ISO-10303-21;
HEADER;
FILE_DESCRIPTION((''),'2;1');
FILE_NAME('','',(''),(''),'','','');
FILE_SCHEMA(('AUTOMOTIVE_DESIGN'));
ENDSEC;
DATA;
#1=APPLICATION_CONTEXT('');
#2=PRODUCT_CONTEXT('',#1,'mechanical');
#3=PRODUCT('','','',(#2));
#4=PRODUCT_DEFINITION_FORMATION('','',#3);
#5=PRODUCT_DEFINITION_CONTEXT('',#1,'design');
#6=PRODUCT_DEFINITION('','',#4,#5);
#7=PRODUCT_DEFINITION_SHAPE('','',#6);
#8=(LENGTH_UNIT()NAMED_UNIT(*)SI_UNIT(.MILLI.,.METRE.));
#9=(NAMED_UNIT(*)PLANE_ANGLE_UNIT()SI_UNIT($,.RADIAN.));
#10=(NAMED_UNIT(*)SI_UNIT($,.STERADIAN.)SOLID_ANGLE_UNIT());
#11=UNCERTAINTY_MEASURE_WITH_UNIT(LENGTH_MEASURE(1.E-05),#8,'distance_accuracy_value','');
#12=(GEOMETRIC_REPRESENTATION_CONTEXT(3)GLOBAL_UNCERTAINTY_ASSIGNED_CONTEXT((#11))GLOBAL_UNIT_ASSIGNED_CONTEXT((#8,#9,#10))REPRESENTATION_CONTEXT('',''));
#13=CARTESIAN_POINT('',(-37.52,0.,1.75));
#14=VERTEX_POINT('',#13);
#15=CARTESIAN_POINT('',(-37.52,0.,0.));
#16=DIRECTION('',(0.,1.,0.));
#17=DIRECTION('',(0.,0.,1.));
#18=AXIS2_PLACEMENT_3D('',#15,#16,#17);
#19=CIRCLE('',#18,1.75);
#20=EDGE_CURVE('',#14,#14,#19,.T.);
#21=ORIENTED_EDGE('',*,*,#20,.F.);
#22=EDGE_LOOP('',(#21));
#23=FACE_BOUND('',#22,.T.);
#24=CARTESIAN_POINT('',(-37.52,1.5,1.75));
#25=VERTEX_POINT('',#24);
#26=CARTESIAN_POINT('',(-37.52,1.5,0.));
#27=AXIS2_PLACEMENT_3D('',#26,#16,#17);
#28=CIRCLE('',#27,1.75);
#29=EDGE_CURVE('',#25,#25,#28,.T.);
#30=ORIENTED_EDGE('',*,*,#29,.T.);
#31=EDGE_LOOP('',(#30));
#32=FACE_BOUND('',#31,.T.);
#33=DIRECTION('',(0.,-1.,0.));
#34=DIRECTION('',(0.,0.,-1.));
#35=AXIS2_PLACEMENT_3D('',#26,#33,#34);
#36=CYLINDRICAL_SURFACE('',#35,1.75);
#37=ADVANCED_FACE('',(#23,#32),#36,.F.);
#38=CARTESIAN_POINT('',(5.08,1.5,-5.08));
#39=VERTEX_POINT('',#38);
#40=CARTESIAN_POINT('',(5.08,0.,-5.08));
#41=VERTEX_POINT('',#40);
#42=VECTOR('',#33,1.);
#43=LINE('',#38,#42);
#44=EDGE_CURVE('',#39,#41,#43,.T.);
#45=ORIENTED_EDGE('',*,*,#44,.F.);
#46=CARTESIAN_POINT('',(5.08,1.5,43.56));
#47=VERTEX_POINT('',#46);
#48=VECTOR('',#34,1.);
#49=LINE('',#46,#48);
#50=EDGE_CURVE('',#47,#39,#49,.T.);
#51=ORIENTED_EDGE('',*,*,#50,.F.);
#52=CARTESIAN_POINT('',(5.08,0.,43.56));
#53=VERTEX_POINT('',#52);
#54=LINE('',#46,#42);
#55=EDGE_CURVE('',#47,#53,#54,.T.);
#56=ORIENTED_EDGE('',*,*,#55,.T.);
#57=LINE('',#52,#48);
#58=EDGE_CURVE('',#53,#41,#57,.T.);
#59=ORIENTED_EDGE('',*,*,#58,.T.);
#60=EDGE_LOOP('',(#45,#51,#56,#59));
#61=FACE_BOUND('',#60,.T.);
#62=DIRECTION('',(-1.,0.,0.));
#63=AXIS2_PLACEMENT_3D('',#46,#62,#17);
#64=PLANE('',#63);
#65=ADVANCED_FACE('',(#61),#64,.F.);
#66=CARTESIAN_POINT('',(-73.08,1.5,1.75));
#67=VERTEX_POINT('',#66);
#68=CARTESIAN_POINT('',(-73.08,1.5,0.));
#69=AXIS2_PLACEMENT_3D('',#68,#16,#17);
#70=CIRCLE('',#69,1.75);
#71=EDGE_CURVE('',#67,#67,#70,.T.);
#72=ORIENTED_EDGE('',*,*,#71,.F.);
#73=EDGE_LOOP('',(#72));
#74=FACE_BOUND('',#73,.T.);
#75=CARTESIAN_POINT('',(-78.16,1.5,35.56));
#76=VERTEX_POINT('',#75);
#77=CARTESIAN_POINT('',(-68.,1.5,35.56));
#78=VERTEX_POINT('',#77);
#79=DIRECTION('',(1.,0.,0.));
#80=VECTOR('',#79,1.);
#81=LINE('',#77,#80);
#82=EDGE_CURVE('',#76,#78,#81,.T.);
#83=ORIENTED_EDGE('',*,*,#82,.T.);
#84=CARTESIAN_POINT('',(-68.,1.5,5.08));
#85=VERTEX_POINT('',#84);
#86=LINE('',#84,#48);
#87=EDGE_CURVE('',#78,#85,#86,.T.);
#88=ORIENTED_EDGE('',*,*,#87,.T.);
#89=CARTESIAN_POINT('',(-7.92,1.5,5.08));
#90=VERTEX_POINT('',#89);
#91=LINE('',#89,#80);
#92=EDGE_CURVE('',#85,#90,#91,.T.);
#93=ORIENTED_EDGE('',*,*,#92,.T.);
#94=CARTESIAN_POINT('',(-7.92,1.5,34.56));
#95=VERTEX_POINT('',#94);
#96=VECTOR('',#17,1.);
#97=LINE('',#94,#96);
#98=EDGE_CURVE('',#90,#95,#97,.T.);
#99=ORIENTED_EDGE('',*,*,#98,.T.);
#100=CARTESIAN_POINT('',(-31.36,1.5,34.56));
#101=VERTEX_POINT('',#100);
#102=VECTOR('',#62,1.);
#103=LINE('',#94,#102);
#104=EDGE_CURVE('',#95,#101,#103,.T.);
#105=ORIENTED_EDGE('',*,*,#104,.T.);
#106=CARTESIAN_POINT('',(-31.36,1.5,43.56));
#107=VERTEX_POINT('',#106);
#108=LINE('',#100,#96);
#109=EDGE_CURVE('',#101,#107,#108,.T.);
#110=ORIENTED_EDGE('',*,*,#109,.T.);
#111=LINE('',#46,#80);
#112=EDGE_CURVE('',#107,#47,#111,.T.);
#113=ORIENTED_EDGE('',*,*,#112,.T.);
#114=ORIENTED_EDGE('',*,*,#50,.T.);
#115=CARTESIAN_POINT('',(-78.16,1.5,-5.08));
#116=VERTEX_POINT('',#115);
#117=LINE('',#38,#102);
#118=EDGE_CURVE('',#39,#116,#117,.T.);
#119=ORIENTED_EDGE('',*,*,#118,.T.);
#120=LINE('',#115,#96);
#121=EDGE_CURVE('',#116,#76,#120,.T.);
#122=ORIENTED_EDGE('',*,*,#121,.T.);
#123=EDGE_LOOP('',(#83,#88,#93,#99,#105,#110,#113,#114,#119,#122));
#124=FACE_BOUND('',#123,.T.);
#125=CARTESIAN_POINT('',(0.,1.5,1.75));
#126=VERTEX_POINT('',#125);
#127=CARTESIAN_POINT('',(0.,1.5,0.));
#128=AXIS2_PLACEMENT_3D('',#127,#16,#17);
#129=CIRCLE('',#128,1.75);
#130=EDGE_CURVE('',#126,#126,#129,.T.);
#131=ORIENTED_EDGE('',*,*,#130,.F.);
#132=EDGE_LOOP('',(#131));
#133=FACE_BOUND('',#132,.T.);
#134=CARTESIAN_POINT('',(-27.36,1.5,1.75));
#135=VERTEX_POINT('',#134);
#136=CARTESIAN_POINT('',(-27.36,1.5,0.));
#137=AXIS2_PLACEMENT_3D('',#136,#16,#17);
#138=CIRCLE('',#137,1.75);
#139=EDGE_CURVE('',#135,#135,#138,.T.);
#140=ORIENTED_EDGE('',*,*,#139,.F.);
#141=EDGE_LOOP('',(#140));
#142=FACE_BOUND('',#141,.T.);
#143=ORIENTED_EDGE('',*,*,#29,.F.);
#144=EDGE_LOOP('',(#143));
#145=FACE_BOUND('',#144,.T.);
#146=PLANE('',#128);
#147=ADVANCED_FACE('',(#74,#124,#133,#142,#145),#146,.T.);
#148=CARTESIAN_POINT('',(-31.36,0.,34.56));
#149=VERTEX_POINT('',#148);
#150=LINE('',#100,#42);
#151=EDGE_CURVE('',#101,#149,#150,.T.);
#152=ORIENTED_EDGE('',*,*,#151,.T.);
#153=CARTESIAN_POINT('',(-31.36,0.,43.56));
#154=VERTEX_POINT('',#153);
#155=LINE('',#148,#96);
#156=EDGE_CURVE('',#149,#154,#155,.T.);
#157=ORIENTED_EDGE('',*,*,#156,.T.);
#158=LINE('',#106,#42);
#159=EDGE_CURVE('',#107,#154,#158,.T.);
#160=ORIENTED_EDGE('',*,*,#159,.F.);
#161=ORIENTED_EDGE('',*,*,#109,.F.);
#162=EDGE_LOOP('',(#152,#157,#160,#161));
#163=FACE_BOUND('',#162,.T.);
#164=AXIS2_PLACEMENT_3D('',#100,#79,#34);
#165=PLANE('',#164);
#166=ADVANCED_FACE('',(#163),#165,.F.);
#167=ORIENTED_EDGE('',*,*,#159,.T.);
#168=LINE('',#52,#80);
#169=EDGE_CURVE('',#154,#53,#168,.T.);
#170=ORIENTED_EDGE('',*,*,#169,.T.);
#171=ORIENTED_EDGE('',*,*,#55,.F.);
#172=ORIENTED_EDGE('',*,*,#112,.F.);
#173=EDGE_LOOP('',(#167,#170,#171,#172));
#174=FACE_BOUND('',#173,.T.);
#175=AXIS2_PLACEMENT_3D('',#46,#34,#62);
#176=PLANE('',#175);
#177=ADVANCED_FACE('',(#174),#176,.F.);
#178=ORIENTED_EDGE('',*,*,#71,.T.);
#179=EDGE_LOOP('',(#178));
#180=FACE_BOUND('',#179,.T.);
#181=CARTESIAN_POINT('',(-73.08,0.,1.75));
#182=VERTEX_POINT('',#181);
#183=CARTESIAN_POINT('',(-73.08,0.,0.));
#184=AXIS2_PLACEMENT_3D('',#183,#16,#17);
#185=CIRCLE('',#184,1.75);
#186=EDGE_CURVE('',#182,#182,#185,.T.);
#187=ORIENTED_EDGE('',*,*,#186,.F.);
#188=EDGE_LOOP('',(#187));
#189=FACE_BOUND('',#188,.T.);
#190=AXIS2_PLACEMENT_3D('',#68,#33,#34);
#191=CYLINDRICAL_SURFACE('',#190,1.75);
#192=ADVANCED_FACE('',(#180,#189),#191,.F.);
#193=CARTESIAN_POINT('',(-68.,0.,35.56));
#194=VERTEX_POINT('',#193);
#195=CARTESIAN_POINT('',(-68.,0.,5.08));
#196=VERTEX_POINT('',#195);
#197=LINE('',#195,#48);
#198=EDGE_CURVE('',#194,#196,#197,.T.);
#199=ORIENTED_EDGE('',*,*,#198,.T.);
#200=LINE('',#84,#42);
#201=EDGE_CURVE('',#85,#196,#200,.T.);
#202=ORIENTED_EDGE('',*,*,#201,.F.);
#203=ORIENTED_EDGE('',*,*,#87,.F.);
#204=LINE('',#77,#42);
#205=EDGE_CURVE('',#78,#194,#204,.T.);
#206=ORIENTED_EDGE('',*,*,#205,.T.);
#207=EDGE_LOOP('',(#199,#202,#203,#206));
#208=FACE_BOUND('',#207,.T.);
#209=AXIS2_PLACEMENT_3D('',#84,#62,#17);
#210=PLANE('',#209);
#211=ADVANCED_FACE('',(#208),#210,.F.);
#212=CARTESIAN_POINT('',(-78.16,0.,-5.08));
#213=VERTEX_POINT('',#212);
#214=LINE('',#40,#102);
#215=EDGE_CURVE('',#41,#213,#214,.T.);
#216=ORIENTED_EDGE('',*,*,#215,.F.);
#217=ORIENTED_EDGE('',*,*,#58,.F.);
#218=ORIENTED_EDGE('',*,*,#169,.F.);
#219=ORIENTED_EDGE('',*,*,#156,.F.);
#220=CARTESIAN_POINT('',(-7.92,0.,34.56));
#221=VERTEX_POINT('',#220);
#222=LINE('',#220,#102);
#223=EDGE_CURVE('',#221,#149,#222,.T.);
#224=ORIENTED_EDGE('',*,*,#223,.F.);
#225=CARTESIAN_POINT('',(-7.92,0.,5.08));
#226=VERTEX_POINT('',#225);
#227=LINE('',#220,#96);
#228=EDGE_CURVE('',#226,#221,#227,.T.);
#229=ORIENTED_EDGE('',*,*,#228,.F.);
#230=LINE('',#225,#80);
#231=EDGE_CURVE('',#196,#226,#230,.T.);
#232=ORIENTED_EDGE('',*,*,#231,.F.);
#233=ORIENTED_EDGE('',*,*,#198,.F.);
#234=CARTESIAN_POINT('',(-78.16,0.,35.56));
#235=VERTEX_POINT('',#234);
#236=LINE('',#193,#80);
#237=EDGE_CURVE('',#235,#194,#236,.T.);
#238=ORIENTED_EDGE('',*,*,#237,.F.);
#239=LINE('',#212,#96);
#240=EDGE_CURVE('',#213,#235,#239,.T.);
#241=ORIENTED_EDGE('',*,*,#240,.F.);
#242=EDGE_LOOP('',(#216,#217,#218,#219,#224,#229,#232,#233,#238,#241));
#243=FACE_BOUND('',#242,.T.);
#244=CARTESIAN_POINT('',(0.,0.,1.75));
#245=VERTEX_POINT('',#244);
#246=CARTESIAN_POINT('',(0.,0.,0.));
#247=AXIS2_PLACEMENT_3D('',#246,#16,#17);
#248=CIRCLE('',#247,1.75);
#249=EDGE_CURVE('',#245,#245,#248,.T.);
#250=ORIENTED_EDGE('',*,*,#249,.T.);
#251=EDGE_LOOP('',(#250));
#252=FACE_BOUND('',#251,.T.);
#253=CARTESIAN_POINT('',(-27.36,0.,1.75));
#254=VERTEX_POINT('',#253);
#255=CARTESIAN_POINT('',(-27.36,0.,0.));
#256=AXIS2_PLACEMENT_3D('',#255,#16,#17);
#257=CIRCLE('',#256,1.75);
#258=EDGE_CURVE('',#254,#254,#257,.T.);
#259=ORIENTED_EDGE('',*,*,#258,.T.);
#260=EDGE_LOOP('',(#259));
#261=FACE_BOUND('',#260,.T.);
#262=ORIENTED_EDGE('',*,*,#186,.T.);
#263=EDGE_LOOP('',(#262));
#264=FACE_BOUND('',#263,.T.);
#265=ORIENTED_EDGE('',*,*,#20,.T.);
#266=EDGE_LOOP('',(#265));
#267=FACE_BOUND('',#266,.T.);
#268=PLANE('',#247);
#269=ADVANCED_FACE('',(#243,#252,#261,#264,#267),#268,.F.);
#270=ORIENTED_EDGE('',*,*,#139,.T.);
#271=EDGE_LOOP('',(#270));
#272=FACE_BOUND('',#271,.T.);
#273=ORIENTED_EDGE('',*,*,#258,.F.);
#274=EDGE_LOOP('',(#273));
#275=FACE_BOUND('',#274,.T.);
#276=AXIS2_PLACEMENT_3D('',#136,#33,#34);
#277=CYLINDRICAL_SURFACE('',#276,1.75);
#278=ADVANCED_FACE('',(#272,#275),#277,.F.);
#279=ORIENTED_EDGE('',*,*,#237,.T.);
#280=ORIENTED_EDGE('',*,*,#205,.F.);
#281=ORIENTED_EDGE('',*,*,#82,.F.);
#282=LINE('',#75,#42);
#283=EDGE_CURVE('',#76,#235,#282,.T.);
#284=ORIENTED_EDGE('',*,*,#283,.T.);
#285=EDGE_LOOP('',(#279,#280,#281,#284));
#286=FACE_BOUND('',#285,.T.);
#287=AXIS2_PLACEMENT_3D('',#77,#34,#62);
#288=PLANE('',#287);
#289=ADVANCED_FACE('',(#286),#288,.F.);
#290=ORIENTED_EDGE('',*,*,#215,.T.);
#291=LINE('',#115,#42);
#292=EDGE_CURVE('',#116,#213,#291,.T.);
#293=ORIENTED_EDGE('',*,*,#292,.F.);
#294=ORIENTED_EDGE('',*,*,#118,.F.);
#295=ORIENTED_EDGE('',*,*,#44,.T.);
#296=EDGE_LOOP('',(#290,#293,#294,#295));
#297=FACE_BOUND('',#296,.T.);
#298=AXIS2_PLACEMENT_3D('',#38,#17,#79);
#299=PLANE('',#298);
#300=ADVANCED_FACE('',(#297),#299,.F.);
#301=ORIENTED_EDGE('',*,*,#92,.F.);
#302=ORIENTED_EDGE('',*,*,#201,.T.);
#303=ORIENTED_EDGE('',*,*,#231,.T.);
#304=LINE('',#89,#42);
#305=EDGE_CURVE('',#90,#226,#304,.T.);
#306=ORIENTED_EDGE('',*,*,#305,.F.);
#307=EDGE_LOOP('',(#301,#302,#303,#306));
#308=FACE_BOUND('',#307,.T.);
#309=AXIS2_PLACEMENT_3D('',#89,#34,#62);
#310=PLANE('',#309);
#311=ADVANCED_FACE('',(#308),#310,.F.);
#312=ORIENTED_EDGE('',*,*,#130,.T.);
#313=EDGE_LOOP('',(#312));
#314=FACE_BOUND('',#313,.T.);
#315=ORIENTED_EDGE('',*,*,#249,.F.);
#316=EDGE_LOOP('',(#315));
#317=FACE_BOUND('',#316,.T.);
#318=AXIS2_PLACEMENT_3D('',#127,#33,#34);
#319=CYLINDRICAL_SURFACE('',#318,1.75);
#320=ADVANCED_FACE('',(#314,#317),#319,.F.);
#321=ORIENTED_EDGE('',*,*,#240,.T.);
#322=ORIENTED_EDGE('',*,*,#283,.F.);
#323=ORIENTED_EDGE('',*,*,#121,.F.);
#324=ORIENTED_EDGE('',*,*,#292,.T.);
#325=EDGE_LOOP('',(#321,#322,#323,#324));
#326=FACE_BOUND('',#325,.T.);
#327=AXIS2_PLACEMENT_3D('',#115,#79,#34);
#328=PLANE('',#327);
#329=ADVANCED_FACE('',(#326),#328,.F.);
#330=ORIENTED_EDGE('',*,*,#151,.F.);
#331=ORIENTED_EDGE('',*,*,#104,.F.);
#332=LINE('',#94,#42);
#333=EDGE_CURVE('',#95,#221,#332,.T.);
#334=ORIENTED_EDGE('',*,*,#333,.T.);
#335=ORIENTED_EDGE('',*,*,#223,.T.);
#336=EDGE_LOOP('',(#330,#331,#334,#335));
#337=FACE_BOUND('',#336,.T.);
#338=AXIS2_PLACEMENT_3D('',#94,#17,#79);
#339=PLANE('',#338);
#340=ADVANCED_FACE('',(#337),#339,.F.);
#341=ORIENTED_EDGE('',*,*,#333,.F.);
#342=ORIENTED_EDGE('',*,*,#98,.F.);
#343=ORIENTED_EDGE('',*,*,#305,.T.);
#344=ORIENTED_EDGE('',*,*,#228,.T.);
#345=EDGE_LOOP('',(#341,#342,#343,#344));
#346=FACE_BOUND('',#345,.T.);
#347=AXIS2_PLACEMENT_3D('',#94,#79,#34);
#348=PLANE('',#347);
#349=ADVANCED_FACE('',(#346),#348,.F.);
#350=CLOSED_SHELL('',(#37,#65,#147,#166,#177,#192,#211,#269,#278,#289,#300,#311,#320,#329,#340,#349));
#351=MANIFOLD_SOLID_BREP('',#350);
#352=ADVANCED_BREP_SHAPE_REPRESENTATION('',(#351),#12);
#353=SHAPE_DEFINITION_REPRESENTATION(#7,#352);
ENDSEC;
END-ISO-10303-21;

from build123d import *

# Parameters (mm, degrees)
SKETCH1_R           = 1.75
BOSS_EXTRUDE1_DEPTH = 1.5


with BuildPart() as part:
    # Sketch1 → Boss-Extrude1 (new body)
    with BuildSketch(Plane(origin=(0, 0, 0), x_dir=(1, 0, 0), z_dir=(0, 1, 0))):
        Polygon((5.08, -43.56), (-31.36, -43.56), (-31.36, -34.56), (-7.92, -34.56), (-7.92, -5.08), (-68, -5.08), (-68, -35.56), (-78.16, -35.56), (-78.16, 5.08), (5.08, 5.08), align=None)
        with Locations(Location((0, 0, 0), (0, 0, 270))):
            Circle(SKETCH1_R, mode=Mode.SUBTRACT)
        with Locations(Location((-73.08, 0, 0), (0, 0, 270))):
            Circle(SKETCH1_R, mode=Mode.SUBTRACT)
        with Locations(Location((-27.36, 0, 0), (0, 0, 270))):
            Circle(SKETCH1_R, mode=Mode.SUBTRACT)
        with Locations(Location((-37.52, 0, 0), (0, 0, 270))):
            Circle(SKETCH1_R, mode=Mode.SUBTRACT)
    extrude(amount=BOSS_EXTRUDE1_DEPTH)


solid = part.part
